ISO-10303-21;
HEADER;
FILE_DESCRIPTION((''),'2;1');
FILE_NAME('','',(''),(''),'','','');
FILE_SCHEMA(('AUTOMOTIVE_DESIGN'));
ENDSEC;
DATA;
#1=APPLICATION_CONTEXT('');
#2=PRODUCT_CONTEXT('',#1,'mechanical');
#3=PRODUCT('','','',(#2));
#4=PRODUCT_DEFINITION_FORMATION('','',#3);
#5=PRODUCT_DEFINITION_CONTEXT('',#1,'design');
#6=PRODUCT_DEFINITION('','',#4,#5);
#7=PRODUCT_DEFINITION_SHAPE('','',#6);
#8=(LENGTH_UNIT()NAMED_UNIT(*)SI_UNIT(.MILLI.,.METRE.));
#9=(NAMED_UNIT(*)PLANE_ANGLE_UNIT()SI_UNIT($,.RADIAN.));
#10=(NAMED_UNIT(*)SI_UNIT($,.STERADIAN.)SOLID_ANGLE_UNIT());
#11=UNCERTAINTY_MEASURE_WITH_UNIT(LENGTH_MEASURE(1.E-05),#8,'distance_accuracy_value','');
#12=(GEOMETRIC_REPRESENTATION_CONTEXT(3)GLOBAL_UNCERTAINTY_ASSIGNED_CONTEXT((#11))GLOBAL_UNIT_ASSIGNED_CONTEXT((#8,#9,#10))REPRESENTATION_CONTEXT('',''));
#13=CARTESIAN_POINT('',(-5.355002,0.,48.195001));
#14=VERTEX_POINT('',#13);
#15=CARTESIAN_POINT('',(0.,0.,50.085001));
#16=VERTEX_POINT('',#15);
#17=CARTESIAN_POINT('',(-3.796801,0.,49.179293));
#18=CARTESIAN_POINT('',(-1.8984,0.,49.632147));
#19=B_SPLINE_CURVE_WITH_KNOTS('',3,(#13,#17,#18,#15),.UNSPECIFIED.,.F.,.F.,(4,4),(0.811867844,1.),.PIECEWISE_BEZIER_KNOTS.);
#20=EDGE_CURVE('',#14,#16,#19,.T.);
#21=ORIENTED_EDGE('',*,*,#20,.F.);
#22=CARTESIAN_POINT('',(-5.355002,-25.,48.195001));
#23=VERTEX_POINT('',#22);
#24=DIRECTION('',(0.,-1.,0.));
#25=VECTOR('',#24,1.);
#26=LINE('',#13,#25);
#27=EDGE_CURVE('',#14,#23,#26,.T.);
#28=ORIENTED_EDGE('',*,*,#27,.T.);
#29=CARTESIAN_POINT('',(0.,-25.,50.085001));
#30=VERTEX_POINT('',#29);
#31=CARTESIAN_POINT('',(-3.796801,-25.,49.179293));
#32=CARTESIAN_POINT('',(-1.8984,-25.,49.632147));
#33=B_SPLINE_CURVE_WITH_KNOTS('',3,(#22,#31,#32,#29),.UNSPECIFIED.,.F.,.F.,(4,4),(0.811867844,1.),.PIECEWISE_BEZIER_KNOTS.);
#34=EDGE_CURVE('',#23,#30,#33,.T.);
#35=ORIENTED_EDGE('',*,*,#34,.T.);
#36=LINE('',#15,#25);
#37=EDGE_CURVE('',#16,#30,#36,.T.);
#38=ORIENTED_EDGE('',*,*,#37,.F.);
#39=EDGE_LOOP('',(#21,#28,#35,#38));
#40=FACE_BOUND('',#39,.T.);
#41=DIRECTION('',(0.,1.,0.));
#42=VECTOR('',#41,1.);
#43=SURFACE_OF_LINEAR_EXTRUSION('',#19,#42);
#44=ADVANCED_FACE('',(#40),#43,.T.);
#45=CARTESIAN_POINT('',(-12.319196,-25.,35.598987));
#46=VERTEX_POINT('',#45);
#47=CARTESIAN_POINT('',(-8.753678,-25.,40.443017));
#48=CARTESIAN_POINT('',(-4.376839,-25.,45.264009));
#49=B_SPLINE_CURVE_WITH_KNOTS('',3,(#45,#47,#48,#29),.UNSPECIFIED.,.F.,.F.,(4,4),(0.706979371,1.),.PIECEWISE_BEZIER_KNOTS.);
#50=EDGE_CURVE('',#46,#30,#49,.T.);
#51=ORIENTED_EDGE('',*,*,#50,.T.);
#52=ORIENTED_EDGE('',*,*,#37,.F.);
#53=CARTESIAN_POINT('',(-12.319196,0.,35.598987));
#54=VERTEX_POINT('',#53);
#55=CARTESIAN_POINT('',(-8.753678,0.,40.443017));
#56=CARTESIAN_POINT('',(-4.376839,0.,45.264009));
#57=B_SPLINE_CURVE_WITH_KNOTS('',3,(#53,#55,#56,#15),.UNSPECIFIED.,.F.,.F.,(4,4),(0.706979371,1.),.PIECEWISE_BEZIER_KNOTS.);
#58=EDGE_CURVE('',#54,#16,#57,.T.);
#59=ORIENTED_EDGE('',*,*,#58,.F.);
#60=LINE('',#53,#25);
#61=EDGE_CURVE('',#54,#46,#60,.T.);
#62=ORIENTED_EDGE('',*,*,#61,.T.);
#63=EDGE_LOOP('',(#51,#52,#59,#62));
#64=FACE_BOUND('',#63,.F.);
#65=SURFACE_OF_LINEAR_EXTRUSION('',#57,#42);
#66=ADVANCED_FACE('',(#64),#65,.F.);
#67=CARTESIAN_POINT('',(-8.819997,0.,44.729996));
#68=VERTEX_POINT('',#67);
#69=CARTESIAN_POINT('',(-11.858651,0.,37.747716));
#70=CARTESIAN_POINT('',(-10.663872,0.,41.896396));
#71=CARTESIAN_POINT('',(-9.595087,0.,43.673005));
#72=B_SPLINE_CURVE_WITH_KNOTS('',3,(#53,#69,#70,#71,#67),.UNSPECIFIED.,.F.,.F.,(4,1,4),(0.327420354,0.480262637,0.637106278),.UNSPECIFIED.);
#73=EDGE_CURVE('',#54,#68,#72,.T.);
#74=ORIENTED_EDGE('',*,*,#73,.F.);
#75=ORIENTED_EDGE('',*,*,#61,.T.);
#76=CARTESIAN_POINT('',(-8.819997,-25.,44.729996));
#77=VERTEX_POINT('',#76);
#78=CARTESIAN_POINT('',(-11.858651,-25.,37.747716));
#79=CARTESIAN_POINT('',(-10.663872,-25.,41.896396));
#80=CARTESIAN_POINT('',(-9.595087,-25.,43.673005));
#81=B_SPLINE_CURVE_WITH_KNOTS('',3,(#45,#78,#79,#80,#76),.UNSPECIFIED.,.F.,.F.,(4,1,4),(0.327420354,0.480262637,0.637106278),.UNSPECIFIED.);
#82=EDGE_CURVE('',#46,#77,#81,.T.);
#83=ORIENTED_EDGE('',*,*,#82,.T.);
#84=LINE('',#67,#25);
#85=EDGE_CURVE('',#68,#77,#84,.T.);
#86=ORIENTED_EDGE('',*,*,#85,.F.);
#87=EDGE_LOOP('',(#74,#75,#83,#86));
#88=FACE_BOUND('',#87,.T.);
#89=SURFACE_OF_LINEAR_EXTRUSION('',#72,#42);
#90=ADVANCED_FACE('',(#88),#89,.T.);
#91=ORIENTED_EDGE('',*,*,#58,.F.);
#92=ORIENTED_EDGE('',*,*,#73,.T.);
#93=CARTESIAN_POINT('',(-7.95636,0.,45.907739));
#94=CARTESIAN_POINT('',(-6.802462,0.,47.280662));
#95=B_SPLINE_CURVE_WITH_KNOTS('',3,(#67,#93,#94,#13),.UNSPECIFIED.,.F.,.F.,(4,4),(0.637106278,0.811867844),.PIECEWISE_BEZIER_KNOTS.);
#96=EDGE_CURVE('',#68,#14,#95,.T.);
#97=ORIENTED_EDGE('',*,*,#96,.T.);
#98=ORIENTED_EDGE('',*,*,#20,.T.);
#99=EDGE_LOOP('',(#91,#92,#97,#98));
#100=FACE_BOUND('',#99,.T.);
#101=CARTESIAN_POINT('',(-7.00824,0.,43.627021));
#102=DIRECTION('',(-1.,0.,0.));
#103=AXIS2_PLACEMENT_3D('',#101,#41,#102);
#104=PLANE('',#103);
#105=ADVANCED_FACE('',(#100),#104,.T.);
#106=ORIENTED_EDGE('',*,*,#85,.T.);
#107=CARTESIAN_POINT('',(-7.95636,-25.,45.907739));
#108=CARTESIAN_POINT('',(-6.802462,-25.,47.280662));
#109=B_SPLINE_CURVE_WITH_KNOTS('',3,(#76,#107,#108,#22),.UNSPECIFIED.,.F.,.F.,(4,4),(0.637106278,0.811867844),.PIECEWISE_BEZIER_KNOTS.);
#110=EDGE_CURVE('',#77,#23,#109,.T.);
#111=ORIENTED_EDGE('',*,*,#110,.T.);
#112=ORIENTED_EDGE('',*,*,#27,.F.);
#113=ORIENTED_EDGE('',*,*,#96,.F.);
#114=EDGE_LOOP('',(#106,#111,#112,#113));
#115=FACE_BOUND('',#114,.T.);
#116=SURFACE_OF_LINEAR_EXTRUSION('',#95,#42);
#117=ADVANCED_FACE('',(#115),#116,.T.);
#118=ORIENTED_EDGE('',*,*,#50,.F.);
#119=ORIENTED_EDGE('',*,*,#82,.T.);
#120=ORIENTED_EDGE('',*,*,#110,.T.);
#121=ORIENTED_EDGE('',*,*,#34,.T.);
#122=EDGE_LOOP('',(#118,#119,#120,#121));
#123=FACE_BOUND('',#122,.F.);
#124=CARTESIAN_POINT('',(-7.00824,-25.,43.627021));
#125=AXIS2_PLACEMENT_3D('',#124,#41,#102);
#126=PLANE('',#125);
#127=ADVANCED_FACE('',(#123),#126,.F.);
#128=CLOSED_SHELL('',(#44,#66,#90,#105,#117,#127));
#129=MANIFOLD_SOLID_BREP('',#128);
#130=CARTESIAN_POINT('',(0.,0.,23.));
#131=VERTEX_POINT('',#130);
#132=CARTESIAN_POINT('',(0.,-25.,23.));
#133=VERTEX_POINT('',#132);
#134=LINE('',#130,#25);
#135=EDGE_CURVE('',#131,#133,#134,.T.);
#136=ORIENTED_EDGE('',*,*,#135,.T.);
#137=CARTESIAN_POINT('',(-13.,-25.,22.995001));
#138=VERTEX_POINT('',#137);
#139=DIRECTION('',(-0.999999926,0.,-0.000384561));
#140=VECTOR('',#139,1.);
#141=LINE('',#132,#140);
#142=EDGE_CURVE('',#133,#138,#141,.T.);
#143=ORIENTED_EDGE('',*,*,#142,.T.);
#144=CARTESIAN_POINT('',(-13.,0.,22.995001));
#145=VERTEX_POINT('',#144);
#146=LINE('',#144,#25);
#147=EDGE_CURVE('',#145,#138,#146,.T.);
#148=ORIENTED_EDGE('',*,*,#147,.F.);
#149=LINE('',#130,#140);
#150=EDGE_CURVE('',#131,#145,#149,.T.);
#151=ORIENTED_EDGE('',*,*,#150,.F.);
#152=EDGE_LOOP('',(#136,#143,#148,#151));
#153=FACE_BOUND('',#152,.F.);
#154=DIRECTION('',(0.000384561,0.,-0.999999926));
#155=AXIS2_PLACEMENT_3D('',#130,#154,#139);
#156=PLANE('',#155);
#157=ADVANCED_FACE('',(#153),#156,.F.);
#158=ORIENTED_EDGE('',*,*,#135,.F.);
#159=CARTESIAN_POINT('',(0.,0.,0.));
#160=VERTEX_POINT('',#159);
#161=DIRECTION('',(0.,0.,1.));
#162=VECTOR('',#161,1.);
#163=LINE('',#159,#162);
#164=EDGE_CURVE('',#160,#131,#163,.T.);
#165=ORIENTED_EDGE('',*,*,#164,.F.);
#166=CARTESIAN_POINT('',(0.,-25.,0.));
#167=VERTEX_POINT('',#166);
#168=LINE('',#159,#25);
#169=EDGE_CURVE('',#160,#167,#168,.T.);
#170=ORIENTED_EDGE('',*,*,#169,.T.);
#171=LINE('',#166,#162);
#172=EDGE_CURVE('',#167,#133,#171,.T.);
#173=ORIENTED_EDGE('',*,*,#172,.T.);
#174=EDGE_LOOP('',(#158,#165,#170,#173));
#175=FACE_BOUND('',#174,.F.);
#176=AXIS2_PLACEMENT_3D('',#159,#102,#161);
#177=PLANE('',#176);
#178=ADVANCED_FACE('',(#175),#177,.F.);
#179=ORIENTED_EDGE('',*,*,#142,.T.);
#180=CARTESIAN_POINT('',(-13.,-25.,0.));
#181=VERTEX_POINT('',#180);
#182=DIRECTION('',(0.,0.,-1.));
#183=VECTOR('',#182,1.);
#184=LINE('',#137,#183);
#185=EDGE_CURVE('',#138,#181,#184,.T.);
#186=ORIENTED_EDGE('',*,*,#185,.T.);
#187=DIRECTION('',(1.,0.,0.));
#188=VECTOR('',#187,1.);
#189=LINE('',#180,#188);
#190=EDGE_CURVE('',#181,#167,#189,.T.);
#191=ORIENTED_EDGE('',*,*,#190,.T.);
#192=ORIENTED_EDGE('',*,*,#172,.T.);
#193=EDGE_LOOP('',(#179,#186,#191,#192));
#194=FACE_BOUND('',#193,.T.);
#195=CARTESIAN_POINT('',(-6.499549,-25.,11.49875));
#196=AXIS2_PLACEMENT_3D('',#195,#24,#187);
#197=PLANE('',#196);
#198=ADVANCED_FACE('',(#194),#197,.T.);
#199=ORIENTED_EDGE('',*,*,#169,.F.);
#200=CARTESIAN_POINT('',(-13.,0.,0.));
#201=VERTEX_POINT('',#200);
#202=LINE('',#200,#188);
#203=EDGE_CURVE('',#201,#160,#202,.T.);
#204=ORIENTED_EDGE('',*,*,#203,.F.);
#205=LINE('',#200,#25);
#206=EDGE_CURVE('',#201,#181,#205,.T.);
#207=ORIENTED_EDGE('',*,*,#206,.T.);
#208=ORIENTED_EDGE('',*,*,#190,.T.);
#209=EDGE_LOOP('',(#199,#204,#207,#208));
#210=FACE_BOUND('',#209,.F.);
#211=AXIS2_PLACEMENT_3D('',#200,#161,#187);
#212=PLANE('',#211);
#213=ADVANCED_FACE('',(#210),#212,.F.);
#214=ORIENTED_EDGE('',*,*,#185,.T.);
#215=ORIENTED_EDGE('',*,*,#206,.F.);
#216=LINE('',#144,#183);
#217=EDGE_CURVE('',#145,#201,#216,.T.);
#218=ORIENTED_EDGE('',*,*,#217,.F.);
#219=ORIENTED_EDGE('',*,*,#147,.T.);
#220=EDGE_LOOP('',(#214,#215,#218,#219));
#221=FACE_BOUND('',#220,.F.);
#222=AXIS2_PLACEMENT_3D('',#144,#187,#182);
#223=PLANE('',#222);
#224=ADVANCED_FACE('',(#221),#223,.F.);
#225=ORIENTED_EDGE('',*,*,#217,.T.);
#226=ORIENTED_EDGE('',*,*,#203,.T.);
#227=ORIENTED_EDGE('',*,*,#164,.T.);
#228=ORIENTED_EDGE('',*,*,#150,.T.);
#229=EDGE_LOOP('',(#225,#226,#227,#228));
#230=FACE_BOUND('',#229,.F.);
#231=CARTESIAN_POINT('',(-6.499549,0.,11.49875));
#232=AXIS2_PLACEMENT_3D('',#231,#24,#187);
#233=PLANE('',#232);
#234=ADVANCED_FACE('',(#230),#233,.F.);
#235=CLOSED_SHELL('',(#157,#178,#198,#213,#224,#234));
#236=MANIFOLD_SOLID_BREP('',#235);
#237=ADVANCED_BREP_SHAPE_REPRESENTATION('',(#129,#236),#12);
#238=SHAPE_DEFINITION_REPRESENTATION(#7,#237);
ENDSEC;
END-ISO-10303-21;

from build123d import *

# Parameters (mm, degrees)
F1_DEPTH = 25


with BuildPart() as f1:
    # F0 (on Front) → F1 (new body)
    with BuildSketch(Plane.XZ):
        Polygon((-13, 0), (0, 0), (0, 23), (-13, 22.9950007051), align=None)
    extrude(amount=F1_DEPTH)


with BuildPart() as f1b:
    # F0 (on Front) → F1, piece 2 (new body)
    with BuildSketch(Plane.XZ):
        with BuildLine():
            add(Edge.make_bspline(
                [(-12.3191955169, 35.5989873608), (-11.8586507551, 37.7477160795), (-10.6638718821, 41.8963955823), (-9.5950873234, 43.6730051345), (-8.8199973106, 44.7299964726)],
                knots=[0.3274203544, 0.3274203544, 0.3274203544, 0.3274203544, 0.4802626372, 0.6371062783, 0.6371062783, 0.6371062783, 0.6371062783], degree=3))
            add(Edge.make_bspline(
                [(-12.3191955169, 35.5989873608), (-8.7536784852, 40.4430165158), (-4.3768392426, 45.2640086048), (0, 50.0850006938)],
                knots=[0.7069793713, 0.7069793713, 0.7069793713, 0.7069793713, 1, 1, 1, 1], degree=3))
            add(Edge.make_bspline(
                [(-5.3550023586, 48.1950007379), (-3.7968009273, 49.1792932798), (-1.8984004636, 49.6321469868), (0, 50.0850006938)],
                knots=[0.8118678436, 0.8118678436, 0.8118678436, 0.8118678436, 1, 1, 1, 1], degree=3))
            add(Edge.make_bspline(
                [(-8.8199973106, 44.7299964726), (-7.6649989933, 45.8849978944), (-6.5100006759, 47.0399993161), (-5.3550023586, 48.1950007379)],
                knots=[0, 0, 0, 0, 4.9002494402, 4.9002494402, 4.9002494402, 4.9002494402], degree=3))
        make_face()
        with BuildLine():
            add(Edge.make_bspline(
                [(-8.8199973106, 44.7299964726), (-7.9563604885, 45.907739219), (-6.8024620925, 47.2806620701), (-5.3550023586, 48.1950007379)],
                knots=[0.6371062783, 0.6371062783, 0.6371062783, 0.6371062783, 0.8118678436, 0.8118678436, 0.8118678436, 0.8118678436], degree=3))
            add(Edge.make_bspline(
                [(-8.8199973106, 44.7299964726), (-7.6649989933, 45.8849978944), (-6.5100006759, 47.0399993161), (-5.3550023586, 48.1950007379)],
                knots=[0, 0, 0, 0, 4.9002494402, 4.9002494402, 4.9002494402, 4.9002494402], degree=3))
        make_face()
    extrude(amount=F1_DEPTH)


solid = Compound([f1.part, f1b.part])
